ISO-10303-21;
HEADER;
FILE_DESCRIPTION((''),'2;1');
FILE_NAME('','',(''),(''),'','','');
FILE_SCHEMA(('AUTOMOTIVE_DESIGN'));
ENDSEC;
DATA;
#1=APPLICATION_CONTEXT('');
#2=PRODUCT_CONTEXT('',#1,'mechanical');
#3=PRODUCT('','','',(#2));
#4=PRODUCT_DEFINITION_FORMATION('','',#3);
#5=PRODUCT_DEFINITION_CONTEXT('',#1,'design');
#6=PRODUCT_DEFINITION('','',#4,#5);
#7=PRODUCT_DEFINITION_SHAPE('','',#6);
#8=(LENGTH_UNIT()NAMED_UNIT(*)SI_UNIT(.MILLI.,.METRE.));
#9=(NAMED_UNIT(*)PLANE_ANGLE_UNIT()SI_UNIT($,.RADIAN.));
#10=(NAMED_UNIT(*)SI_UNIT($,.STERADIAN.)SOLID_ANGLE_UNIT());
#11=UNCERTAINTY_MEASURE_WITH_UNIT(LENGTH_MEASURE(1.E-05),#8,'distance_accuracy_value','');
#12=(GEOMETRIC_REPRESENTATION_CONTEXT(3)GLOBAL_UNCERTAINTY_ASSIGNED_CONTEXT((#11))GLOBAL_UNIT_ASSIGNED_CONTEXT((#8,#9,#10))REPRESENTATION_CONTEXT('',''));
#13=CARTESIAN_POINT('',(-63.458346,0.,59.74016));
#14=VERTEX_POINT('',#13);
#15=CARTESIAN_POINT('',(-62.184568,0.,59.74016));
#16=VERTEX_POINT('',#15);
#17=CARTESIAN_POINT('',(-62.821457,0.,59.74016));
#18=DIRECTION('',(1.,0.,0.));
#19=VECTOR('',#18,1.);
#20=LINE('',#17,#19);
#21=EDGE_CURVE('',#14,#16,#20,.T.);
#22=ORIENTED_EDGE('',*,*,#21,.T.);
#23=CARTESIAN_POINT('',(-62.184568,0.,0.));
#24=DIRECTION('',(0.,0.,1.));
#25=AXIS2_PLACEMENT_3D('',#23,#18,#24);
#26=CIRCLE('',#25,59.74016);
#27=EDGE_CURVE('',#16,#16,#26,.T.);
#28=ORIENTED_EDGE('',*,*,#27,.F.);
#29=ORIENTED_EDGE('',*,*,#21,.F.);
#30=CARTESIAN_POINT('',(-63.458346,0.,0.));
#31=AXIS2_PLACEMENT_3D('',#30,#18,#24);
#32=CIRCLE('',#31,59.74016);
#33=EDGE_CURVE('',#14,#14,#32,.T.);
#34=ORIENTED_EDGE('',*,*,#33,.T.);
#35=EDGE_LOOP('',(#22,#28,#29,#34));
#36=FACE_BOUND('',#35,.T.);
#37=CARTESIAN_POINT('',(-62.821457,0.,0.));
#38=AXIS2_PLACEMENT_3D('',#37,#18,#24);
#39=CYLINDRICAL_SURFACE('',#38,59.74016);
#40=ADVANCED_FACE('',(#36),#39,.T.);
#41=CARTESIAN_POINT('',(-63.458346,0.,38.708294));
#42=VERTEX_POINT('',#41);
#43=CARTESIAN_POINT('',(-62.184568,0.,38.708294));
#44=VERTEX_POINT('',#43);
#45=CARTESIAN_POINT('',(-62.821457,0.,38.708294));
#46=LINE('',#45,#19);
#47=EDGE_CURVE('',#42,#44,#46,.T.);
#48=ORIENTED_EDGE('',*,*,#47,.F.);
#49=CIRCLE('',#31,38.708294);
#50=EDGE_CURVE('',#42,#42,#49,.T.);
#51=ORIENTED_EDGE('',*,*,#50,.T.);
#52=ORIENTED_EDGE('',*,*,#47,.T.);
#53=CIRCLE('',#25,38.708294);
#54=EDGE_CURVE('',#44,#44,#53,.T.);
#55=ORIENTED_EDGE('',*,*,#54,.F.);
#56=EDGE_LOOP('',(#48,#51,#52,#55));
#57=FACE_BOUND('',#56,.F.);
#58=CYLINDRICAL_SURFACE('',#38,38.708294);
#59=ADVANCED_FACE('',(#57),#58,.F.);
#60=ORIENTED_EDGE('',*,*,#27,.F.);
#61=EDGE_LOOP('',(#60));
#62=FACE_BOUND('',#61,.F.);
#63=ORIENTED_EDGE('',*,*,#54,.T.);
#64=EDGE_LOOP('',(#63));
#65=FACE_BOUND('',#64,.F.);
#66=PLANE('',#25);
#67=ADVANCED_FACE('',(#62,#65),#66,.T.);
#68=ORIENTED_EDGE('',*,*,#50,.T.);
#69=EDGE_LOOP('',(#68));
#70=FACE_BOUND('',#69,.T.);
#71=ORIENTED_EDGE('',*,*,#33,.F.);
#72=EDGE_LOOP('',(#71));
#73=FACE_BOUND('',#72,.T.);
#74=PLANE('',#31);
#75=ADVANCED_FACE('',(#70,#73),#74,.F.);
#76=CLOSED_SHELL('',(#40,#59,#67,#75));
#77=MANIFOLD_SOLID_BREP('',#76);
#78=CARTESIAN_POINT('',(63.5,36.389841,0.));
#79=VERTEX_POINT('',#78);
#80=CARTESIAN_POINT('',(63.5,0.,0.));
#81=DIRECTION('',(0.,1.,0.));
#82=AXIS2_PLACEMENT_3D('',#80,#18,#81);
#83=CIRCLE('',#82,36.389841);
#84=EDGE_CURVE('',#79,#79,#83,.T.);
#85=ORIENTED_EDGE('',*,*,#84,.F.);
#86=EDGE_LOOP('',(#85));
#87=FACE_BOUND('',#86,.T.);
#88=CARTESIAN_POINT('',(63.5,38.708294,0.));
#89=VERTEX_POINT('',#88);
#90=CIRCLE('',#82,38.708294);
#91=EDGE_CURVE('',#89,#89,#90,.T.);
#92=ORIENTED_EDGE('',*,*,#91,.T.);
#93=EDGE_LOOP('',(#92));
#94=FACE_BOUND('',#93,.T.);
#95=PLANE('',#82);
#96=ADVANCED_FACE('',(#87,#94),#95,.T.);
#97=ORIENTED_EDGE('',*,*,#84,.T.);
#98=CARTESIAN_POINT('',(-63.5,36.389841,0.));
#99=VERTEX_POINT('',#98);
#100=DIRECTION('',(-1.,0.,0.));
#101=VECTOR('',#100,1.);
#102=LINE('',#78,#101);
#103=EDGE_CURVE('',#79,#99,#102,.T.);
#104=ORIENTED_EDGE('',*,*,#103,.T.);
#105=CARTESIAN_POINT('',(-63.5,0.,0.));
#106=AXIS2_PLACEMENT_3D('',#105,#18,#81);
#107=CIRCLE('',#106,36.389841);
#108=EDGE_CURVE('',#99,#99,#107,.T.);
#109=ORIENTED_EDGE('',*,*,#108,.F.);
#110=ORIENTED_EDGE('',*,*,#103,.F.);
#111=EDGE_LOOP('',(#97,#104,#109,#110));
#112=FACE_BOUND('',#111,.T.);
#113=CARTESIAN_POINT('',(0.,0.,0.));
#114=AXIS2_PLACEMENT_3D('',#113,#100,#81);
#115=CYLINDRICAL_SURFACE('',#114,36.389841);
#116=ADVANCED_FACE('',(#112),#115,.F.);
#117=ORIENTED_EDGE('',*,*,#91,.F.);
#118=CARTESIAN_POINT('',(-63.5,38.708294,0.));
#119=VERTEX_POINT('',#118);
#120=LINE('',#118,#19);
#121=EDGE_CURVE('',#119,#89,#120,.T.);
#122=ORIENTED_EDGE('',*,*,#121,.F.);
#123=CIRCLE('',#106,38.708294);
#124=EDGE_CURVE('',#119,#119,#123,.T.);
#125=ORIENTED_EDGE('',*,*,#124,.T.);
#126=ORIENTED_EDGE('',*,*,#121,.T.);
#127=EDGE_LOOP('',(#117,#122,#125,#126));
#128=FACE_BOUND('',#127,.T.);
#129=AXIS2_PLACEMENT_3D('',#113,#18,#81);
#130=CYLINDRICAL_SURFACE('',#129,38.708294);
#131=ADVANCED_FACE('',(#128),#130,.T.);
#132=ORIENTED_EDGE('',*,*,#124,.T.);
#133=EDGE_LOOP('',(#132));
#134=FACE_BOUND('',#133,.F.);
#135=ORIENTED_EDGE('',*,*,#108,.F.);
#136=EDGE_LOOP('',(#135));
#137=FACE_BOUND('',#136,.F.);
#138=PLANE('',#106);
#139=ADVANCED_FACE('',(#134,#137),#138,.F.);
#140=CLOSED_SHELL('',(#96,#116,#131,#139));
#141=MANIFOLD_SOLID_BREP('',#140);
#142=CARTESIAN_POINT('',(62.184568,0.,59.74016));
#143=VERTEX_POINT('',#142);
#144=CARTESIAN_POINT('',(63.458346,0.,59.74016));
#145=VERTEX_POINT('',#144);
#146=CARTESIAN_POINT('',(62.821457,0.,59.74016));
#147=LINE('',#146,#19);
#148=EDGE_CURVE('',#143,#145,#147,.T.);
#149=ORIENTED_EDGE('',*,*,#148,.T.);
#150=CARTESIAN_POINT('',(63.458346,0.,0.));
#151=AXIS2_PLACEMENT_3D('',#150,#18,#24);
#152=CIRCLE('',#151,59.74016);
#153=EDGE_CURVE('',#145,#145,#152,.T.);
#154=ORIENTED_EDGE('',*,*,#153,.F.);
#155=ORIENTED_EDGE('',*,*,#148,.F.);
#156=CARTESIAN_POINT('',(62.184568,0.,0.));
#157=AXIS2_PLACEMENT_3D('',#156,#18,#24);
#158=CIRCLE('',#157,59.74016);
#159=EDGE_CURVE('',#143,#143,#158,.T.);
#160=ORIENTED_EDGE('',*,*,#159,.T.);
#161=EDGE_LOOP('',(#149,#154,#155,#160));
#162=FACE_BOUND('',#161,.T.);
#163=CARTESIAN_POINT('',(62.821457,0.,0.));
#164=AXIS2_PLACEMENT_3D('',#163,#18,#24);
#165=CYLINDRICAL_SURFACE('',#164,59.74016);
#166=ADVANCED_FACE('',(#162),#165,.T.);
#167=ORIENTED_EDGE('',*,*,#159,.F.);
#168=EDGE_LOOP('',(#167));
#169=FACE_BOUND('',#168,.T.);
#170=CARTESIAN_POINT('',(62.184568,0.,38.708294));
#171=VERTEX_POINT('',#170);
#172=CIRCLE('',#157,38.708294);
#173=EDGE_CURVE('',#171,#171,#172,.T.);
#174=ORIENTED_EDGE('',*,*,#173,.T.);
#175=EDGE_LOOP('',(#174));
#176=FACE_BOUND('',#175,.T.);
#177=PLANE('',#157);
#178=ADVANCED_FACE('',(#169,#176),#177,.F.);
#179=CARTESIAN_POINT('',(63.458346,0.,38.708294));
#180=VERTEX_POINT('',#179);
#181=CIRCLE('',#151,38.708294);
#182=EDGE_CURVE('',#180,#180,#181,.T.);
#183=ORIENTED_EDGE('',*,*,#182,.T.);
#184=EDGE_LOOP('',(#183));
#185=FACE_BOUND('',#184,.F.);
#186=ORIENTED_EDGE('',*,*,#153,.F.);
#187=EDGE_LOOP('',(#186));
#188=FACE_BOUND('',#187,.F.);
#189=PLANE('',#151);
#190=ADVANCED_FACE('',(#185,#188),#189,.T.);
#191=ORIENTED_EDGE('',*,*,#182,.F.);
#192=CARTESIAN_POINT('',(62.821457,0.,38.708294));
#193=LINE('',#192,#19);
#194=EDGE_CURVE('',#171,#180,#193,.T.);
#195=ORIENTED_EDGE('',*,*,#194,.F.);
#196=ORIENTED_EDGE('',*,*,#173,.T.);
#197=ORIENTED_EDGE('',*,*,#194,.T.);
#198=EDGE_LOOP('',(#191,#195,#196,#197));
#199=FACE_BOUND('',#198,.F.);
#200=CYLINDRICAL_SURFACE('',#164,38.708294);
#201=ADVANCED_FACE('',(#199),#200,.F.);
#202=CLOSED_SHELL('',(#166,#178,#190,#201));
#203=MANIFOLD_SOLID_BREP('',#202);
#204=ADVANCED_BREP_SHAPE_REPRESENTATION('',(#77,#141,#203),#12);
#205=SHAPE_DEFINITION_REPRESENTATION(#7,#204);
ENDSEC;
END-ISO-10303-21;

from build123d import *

# Parameters (mm, degrees)
F0_R     = 38.708294
F0_R_2   = 36.389841
F1_DEPTH = 63.5
F3_W     = 1.273778
F3_H     = 21.031866


with BuildPart() as f1:
    # F0 (on Right) → F1 (new body, symmetric)
    with BuildSketch(Plane.YZ):
        Circle(F0_R)
        Circle(F0_R_2, mode=Mode.SUBTRACT)
    extrude(amount=F1_DEPTH, both=True)


with BuildPart() as f4:
    # F3 (on Front) → F4 (revolve)
    with BuildSketch(Plane.XZ):
        with Locations((62.821457, 49.224227)):
            Rectangle(F3_W, F3_H)
        with Locations((-62.821457, 49.224227)):
            Rectangle(F3_W, F3_H)
    revolve(axis=Axis((1.114558, 0, 0), (1, 0, 0)))


solid = Compound([f1.part, f4.part])
